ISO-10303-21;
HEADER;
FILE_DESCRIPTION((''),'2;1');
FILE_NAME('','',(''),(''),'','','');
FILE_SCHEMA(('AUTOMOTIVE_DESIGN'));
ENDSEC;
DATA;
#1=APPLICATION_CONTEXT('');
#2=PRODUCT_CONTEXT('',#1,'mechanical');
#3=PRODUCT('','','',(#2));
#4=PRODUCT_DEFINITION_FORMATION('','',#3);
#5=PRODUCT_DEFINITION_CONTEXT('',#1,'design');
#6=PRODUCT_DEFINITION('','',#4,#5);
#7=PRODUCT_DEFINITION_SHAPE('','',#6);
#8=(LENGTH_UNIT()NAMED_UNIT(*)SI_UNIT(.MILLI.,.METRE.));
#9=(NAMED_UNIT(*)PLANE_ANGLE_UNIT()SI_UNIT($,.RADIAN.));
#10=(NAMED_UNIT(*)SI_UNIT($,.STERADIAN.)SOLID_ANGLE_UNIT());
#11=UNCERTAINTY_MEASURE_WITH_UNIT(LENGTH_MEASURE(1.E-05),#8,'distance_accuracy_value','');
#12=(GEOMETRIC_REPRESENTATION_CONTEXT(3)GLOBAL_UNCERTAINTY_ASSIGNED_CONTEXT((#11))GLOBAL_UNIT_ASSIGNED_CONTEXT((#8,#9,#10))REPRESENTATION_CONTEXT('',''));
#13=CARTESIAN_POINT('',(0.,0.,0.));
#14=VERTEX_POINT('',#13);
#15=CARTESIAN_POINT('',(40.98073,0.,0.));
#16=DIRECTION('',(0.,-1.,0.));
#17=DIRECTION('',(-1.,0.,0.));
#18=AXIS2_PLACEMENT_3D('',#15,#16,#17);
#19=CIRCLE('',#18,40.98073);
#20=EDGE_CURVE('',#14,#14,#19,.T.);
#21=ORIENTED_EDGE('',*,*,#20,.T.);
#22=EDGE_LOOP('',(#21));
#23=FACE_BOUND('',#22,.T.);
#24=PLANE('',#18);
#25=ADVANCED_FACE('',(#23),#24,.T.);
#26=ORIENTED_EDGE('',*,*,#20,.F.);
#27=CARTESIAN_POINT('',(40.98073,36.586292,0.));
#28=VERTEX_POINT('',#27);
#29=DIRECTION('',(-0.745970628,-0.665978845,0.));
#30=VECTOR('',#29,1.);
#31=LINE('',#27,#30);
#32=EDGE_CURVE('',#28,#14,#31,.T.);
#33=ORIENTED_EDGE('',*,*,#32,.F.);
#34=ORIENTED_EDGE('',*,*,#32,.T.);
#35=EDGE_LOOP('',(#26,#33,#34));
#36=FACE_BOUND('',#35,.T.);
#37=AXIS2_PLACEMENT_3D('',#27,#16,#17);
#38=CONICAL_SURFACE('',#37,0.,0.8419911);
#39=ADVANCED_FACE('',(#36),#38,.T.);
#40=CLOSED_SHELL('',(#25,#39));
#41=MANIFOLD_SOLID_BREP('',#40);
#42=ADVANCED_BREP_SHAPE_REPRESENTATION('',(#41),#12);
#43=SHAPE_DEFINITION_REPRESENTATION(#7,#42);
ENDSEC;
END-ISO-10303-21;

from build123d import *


with BuildPart() as f1:
    # F0 (on Top) → F1 (revolve)
    with BuildSketch(Plane.XY):
        Polygon((40.98073, 36.586292), (0, 0), (40.98073, 0), align=None)
    revolve(axis=Axis((40.98073, 18.293146, 0), (0, -1, 0)))


solid = f1.part
